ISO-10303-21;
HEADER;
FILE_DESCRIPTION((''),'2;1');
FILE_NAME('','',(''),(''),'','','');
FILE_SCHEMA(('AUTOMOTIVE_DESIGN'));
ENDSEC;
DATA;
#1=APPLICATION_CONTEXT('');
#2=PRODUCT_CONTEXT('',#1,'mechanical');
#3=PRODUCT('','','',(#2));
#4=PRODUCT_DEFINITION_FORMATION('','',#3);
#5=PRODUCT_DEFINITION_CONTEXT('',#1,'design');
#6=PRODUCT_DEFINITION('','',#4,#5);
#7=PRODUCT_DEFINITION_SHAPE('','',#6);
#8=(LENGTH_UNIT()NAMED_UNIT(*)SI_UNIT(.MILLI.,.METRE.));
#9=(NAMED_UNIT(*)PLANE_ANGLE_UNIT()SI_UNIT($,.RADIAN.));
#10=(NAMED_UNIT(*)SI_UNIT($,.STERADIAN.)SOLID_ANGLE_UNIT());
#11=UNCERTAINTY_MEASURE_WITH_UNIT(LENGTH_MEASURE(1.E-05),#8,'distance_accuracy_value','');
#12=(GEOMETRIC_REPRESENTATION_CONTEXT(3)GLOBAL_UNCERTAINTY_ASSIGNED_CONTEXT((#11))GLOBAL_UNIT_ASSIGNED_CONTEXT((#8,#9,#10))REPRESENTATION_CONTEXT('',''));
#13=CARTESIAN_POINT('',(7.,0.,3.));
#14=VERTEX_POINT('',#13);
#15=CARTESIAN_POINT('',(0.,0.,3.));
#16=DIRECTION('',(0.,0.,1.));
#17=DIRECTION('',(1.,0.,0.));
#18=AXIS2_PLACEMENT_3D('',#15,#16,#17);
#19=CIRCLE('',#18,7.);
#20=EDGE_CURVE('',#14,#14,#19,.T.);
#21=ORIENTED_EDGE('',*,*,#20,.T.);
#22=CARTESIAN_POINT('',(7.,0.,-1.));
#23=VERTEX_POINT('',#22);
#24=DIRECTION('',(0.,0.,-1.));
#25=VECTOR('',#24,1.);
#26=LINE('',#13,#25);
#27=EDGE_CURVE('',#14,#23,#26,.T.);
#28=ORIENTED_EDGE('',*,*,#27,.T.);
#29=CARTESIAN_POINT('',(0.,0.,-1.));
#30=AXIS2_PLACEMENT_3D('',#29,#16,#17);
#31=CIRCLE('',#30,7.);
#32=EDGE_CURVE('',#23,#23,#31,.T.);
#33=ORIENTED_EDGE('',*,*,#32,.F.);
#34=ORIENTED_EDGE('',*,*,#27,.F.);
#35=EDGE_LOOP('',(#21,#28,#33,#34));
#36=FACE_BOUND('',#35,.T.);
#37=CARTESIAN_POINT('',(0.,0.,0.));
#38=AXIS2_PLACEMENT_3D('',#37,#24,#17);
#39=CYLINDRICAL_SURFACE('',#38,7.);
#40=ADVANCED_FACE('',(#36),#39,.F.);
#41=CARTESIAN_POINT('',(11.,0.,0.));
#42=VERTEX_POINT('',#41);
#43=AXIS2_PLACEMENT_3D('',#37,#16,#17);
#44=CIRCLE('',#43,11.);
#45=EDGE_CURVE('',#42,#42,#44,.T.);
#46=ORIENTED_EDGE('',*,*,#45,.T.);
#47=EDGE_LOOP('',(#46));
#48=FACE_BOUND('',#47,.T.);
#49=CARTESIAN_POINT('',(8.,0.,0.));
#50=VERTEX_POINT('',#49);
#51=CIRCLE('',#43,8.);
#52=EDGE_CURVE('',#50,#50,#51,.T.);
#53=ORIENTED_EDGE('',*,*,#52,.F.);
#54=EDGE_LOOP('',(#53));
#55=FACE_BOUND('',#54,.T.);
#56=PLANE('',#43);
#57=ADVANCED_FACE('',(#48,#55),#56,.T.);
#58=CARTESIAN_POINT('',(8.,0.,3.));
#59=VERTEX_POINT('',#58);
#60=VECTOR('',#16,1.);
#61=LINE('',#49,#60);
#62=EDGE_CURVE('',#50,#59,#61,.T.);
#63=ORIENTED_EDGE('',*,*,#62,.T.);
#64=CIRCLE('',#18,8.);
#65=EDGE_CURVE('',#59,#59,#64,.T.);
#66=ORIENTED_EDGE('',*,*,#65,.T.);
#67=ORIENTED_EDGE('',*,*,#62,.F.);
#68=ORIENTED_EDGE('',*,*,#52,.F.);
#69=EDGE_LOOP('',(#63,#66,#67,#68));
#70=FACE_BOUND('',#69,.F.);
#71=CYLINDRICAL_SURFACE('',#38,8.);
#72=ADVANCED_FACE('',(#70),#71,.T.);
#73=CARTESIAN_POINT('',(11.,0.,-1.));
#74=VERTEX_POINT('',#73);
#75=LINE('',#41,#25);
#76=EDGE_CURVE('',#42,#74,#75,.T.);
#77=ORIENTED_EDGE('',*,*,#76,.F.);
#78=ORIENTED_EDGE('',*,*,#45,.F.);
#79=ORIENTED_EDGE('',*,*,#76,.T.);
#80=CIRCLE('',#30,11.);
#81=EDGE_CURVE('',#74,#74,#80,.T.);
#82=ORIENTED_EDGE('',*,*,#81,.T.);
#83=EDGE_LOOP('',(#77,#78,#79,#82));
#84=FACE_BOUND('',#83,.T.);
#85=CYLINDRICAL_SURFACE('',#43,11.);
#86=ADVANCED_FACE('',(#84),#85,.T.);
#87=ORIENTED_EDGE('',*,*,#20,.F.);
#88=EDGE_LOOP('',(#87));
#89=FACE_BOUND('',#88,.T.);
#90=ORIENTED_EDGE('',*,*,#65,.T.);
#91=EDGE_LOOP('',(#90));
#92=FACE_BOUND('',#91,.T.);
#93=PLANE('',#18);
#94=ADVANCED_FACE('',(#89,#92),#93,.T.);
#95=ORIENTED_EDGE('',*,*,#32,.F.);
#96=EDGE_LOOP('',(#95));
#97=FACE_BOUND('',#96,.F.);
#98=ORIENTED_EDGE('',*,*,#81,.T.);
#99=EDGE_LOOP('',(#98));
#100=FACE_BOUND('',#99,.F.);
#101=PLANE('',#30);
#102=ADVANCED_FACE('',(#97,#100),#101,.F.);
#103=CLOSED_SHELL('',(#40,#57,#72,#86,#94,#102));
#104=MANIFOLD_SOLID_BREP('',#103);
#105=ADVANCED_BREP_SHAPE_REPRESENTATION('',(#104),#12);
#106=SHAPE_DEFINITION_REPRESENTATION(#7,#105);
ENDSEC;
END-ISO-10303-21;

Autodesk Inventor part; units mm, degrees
ref_plane "YZ Plane" through (0, 0, 0) normal (1, 0, 0) x (0, 1, 0)
ref_plane "XZ Plane" through (0, 0, 0) normal (0, 1, 0) x (-1, 0, 0)
ref_plane "XY Plane" through (0, 0, 0) normal (0, 0, 1) x (1, 0, 0)
sketch "スケッチ1" plane through (0, 0, 0) normal (0, 0, 1) x (1, 0, 0)
  circle A0 centre (0, 0) radius 7
  circle A1 centre (0, 0) radius 8
  circle A2 centre (0, 0) radius 11
  dimension "d0" = 14
  dimension "d1" = 16
  dimension "d2" = 22
extrude "押し出し1" add sketch "スケッチ1" along normal blind 3 contours A1
extrude "押し出し2" add sketch "スケッチ1" against normal blind 1 contours A1 | A2
properties part number "オイレス　内径14 フランジ付き3t" material "アセタール樹脂、黒"
